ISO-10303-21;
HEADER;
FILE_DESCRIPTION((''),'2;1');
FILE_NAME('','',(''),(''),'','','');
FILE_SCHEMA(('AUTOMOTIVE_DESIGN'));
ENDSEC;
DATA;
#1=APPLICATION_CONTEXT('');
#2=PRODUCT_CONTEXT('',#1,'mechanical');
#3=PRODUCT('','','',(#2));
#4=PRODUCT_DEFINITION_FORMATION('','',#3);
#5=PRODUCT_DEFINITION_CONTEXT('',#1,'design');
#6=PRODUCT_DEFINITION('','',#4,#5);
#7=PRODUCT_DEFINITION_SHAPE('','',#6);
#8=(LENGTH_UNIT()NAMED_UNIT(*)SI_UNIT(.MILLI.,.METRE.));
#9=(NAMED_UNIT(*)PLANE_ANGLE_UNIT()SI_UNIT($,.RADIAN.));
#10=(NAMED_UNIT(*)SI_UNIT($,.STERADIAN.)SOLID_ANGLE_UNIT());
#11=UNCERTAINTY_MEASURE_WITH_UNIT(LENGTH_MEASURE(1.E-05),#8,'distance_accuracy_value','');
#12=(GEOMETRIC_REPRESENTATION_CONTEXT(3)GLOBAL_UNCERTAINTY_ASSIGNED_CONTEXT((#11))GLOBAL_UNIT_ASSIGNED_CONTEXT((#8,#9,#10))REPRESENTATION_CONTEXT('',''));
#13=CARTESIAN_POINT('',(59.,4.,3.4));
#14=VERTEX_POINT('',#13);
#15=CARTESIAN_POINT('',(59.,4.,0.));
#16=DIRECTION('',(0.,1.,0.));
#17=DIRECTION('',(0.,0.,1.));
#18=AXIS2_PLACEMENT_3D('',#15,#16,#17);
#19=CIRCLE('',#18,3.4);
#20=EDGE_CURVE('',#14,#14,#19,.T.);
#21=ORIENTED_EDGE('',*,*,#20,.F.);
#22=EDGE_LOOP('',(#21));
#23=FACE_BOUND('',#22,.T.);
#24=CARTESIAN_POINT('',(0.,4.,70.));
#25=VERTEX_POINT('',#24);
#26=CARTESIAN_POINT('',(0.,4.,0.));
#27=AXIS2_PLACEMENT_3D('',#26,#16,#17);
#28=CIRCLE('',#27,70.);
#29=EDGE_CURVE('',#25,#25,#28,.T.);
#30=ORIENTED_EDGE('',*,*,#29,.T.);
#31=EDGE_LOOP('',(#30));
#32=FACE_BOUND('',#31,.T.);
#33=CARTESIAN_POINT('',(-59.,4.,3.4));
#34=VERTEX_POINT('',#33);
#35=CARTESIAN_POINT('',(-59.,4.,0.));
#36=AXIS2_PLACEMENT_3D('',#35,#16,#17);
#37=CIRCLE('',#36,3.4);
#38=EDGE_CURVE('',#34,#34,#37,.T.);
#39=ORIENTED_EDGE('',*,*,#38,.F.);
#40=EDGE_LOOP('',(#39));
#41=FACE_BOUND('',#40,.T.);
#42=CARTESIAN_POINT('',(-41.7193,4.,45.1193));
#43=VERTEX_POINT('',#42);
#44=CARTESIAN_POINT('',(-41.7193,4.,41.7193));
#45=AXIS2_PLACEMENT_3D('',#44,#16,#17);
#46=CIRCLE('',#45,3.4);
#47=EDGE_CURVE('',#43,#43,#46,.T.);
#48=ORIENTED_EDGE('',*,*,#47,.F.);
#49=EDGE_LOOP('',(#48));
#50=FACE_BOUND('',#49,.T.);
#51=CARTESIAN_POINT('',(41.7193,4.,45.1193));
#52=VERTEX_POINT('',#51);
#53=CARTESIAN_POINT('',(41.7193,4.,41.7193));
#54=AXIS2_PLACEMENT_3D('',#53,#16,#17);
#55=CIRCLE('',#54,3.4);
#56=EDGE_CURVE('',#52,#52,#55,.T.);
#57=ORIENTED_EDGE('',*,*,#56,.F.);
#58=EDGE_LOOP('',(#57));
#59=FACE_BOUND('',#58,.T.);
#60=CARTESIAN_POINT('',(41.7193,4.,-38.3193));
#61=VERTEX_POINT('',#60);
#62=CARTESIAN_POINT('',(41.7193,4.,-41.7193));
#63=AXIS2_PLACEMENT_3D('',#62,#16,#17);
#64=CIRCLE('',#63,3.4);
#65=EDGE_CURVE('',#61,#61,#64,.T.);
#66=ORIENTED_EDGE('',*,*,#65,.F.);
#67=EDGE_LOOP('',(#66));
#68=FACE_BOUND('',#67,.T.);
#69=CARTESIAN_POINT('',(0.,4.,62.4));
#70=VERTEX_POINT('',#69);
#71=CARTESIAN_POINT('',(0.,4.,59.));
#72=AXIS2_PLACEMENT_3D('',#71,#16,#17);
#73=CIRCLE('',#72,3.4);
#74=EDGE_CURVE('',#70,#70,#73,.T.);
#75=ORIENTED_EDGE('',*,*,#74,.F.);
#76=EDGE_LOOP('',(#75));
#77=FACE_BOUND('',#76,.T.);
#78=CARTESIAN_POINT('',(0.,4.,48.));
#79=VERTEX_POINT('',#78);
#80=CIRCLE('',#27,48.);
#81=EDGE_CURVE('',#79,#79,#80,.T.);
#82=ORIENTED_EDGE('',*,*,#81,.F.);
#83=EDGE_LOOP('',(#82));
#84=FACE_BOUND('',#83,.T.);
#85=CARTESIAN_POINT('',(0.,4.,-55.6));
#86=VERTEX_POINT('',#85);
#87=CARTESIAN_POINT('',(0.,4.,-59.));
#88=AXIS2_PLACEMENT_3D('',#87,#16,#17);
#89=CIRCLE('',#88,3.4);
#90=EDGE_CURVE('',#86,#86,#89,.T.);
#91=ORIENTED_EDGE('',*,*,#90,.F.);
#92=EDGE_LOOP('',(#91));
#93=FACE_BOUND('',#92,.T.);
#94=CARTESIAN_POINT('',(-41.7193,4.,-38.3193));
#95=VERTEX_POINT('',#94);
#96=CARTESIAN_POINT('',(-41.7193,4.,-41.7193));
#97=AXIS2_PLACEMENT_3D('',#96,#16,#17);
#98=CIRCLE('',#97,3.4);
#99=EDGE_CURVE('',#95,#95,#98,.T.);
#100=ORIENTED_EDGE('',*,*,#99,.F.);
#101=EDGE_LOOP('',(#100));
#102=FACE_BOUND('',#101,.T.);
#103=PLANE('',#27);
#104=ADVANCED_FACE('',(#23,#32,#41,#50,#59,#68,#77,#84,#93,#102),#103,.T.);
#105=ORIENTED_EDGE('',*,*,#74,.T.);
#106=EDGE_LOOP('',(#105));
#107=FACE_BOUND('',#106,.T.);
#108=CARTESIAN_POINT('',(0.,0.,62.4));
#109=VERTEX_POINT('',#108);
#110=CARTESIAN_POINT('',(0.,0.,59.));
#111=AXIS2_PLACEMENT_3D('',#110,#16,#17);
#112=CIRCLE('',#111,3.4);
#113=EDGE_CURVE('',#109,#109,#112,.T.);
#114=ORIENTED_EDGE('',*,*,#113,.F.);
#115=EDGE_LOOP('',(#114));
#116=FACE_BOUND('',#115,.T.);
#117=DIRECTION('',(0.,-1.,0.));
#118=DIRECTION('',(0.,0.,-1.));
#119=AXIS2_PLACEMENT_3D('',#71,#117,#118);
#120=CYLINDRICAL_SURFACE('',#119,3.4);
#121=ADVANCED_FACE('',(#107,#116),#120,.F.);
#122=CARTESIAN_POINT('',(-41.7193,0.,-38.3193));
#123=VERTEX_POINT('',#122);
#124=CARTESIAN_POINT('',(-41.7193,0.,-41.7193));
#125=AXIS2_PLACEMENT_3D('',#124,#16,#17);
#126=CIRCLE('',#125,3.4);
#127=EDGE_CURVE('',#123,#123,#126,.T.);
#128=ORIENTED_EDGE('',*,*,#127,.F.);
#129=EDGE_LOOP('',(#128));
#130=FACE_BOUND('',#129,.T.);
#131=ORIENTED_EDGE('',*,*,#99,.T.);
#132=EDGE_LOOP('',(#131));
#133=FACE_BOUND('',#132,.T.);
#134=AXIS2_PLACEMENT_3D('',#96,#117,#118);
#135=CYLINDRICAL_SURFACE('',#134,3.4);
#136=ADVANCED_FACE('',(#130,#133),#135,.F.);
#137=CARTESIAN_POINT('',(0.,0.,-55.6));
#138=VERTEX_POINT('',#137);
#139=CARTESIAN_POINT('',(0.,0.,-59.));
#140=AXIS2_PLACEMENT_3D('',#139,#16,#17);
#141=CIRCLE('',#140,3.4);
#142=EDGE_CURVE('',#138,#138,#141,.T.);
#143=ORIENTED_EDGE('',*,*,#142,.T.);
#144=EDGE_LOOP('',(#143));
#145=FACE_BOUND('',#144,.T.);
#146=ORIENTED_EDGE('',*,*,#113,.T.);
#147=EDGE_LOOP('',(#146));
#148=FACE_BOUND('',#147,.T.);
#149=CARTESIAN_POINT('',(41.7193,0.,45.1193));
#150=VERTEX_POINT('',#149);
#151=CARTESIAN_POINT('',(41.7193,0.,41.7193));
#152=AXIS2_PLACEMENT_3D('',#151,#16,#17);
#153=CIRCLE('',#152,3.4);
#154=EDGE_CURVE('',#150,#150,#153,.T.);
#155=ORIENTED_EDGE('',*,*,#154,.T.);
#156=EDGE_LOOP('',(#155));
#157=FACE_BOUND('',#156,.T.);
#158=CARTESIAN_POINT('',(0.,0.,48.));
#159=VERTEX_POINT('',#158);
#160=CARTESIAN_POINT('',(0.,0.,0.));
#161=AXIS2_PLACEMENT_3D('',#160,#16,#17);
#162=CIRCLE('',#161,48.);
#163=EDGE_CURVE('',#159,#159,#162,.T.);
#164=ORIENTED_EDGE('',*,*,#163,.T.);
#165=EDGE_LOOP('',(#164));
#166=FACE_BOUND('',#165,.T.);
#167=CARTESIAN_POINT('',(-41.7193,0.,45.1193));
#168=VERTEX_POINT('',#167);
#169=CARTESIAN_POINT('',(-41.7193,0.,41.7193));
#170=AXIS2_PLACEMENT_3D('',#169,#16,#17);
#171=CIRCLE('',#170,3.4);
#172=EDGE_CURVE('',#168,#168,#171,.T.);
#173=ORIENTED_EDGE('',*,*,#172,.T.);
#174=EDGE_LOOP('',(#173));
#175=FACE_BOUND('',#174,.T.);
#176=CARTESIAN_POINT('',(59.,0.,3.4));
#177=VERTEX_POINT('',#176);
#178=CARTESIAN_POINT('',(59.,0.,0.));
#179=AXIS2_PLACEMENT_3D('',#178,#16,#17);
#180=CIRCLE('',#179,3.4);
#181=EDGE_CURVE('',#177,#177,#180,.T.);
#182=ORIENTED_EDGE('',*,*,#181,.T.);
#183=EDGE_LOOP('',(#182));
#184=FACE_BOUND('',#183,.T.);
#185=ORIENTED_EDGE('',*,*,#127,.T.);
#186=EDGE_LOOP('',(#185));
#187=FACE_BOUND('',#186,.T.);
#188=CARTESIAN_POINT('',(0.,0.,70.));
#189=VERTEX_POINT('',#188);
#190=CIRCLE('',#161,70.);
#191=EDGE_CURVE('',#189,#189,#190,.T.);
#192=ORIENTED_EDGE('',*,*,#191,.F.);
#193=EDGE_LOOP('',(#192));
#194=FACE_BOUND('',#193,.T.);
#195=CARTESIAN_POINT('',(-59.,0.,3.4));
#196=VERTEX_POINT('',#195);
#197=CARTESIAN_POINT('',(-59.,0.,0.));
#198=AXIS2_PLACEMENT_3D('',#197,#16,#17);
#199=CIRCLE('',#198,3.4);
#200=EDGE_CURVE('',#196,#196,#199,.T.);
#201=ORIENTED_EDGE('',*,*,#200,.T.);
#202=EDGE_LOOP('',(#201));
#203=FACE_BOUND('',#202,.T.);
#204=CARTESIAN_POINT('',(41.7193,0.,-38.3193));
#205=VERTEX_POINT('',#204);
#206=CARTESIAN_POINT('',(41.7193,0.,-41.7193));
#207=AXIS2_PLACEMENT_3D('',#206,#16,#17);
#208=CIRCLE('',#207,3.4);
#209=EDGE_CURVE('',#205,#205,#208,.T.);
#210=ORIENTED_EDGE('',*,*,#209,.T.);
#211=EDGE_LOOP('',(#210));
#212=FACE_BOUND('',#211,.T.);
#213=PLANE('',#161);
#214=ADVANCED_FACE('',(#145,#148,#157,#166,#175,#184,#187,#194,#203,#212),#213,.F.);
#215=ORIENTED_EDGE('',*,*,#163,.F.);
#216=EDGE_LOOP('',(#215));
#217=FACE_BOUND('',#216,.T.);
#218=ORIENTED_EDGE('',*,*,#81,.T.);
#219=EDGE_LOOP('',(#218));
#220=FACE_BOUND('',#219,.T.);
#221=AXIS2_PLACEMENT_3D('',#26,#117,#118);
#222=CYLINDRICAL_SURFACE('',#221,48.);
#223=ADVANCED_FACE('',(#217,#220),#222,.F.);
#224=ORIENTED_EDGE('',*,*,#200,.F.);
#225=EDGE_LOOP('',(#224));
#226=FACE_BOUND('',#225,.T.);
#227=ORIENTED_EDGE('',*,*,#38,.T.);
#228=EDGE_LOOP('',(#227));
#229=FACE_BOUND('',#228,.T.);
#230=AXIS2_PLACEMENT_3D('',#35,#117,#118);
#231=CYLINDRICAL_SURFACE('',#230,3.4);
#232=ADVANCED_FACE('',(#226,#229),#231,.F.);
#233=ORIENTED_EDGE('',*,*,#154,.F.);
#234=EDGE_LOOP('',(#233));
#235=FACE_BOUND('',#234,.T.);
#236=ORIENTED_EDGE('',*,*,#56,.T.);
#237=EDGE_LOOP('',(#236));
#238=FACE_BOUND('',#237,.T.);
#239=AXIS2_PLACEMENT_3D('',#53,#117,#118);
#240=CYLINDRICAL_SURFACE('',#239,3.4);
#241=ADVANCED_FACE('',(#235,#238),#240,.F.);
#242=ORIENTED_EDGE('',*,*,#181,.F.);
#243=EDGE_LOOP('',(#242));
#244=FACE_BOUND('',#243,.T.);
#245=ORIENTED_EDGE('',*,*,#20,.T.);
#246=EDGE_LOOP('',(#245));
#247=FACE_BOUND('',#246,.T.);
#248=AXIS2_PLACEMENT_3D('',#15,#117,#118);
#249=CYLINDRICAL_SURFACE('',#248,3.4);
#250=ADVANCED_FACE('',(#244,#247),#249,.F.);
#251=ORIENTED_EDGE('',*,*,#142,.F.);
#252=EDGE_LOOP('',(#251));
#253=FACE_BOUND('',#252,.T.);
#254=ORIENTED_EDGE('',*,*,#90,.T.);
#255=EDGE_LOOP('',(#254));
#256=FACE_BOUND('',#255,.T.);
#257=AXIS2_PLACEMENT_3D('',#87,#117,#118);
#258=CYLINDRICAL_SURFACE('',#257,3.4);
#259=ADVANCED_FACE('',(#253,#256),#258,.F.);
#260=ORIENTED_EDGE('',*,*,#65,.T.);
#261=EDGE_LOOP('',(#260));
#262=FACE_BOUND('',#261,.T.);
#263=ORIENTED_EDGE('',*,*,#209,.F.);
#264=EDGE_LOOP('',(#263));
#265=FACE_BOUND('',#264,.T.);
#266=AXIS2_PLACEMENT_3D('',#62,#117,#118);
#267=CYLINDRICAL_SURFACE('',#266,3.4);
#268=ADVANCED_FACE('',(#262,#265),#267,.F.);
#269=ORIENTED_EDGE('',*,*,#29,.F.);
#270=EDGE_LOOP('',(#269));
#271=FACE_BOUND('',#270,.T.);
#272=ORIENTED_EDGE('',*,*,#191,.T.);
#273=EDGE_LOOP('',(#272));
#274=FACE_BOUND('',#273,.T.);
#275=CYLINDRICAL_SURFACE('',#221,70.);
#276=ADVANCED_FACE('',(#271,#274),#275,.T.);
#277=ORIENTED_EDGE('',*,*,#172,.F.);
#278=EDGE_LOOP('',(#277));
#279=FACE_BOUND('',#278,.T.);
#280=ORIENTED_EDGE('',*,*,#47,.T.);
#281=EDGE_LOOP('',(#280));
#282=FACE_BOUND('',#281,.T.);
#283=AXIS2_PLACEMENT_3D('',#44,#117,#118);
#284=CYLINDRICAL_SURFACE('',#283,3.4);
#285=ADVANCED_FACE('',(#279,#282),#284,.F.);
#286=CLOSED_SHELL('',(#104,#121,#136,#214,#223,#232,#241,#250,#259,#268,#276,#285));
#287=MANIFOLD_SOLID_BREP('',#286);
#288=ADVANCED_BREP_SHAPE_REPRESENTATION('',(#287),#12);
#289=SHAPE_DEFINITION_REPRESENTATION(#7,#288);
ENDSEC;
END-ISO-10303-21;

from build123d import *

# Parameters (mm, degrees)
SKETCH_1_R      = 70
SKETCH_1_R_2    = 48
SKETCH_1_R_3    = 3.4
EXTRUDE_1_DEPTH = 4


with BuildPart() as part:
    # Эскиз1 → Бобышка-Вытянуть1 (new body)
    with BuildSketch(Plane(origin=(0, 0, 0), x_dir=(1, 0, 0), z_dir=(0, 1, 0))):
        with Locations(Location((0, 0, 0), (0, 0, 270))):
            Circle(SKETCH_1_R)
        with Locations(Location((0, 0, 0), (0, 0, 270))):
            Circle(SKETCH_1_R_2, mode=Mode.SUBTRACT)
        with Locations(Location((59, 0, 0), (0, 0, 270))):
            Circle(SKETCH_1_R_3, mode=Mode.SUBTRACT)
        with Locations(Location((41.71930009, -41.71930009, 0), (0, 0, 270))):
            Circle(SKETCH_1_R_3, mode=Mode.SUBTRACT)
        with Locations(Location((0, -59, 0), (0, 0, 270))):
            Circle(SKETCH_1_R_3, mode=Mode.SUBTRACT)
        with Locations(Location((-41.71930009, -41.71930009, 0), (0, 0, 270))):
            Circle(SKETCH_1_R_3, mode=Mode.SUBTRACT)
        with Locations(Location((-59, 0, 0), (0, 0, 270))):
            Circle(SKETCH_1_R_3, mode=Mode.SUBTRACT)
        with Locations(Location((-41.71930009, 41.71930009, 0), (0, 0, 270))):
            Circle(SKETCH_1_R_3, mode=Mode.SUBTRACT)
        with Locations(Location((0, 59, 0), (0, 0, 270))):
            Circle(SKETCH_1_R_3, mode=Mode.SUBTRACT)
        with Locations(Location((41.71930009, 41.71930009, 0), (0, 0, 270))):
            Circle(SKETCH_1_R_3, mode=Mode.SUBTRACT)
    extrude(amount=EXTRUDE_1_DEPTH)


solid = part.part
